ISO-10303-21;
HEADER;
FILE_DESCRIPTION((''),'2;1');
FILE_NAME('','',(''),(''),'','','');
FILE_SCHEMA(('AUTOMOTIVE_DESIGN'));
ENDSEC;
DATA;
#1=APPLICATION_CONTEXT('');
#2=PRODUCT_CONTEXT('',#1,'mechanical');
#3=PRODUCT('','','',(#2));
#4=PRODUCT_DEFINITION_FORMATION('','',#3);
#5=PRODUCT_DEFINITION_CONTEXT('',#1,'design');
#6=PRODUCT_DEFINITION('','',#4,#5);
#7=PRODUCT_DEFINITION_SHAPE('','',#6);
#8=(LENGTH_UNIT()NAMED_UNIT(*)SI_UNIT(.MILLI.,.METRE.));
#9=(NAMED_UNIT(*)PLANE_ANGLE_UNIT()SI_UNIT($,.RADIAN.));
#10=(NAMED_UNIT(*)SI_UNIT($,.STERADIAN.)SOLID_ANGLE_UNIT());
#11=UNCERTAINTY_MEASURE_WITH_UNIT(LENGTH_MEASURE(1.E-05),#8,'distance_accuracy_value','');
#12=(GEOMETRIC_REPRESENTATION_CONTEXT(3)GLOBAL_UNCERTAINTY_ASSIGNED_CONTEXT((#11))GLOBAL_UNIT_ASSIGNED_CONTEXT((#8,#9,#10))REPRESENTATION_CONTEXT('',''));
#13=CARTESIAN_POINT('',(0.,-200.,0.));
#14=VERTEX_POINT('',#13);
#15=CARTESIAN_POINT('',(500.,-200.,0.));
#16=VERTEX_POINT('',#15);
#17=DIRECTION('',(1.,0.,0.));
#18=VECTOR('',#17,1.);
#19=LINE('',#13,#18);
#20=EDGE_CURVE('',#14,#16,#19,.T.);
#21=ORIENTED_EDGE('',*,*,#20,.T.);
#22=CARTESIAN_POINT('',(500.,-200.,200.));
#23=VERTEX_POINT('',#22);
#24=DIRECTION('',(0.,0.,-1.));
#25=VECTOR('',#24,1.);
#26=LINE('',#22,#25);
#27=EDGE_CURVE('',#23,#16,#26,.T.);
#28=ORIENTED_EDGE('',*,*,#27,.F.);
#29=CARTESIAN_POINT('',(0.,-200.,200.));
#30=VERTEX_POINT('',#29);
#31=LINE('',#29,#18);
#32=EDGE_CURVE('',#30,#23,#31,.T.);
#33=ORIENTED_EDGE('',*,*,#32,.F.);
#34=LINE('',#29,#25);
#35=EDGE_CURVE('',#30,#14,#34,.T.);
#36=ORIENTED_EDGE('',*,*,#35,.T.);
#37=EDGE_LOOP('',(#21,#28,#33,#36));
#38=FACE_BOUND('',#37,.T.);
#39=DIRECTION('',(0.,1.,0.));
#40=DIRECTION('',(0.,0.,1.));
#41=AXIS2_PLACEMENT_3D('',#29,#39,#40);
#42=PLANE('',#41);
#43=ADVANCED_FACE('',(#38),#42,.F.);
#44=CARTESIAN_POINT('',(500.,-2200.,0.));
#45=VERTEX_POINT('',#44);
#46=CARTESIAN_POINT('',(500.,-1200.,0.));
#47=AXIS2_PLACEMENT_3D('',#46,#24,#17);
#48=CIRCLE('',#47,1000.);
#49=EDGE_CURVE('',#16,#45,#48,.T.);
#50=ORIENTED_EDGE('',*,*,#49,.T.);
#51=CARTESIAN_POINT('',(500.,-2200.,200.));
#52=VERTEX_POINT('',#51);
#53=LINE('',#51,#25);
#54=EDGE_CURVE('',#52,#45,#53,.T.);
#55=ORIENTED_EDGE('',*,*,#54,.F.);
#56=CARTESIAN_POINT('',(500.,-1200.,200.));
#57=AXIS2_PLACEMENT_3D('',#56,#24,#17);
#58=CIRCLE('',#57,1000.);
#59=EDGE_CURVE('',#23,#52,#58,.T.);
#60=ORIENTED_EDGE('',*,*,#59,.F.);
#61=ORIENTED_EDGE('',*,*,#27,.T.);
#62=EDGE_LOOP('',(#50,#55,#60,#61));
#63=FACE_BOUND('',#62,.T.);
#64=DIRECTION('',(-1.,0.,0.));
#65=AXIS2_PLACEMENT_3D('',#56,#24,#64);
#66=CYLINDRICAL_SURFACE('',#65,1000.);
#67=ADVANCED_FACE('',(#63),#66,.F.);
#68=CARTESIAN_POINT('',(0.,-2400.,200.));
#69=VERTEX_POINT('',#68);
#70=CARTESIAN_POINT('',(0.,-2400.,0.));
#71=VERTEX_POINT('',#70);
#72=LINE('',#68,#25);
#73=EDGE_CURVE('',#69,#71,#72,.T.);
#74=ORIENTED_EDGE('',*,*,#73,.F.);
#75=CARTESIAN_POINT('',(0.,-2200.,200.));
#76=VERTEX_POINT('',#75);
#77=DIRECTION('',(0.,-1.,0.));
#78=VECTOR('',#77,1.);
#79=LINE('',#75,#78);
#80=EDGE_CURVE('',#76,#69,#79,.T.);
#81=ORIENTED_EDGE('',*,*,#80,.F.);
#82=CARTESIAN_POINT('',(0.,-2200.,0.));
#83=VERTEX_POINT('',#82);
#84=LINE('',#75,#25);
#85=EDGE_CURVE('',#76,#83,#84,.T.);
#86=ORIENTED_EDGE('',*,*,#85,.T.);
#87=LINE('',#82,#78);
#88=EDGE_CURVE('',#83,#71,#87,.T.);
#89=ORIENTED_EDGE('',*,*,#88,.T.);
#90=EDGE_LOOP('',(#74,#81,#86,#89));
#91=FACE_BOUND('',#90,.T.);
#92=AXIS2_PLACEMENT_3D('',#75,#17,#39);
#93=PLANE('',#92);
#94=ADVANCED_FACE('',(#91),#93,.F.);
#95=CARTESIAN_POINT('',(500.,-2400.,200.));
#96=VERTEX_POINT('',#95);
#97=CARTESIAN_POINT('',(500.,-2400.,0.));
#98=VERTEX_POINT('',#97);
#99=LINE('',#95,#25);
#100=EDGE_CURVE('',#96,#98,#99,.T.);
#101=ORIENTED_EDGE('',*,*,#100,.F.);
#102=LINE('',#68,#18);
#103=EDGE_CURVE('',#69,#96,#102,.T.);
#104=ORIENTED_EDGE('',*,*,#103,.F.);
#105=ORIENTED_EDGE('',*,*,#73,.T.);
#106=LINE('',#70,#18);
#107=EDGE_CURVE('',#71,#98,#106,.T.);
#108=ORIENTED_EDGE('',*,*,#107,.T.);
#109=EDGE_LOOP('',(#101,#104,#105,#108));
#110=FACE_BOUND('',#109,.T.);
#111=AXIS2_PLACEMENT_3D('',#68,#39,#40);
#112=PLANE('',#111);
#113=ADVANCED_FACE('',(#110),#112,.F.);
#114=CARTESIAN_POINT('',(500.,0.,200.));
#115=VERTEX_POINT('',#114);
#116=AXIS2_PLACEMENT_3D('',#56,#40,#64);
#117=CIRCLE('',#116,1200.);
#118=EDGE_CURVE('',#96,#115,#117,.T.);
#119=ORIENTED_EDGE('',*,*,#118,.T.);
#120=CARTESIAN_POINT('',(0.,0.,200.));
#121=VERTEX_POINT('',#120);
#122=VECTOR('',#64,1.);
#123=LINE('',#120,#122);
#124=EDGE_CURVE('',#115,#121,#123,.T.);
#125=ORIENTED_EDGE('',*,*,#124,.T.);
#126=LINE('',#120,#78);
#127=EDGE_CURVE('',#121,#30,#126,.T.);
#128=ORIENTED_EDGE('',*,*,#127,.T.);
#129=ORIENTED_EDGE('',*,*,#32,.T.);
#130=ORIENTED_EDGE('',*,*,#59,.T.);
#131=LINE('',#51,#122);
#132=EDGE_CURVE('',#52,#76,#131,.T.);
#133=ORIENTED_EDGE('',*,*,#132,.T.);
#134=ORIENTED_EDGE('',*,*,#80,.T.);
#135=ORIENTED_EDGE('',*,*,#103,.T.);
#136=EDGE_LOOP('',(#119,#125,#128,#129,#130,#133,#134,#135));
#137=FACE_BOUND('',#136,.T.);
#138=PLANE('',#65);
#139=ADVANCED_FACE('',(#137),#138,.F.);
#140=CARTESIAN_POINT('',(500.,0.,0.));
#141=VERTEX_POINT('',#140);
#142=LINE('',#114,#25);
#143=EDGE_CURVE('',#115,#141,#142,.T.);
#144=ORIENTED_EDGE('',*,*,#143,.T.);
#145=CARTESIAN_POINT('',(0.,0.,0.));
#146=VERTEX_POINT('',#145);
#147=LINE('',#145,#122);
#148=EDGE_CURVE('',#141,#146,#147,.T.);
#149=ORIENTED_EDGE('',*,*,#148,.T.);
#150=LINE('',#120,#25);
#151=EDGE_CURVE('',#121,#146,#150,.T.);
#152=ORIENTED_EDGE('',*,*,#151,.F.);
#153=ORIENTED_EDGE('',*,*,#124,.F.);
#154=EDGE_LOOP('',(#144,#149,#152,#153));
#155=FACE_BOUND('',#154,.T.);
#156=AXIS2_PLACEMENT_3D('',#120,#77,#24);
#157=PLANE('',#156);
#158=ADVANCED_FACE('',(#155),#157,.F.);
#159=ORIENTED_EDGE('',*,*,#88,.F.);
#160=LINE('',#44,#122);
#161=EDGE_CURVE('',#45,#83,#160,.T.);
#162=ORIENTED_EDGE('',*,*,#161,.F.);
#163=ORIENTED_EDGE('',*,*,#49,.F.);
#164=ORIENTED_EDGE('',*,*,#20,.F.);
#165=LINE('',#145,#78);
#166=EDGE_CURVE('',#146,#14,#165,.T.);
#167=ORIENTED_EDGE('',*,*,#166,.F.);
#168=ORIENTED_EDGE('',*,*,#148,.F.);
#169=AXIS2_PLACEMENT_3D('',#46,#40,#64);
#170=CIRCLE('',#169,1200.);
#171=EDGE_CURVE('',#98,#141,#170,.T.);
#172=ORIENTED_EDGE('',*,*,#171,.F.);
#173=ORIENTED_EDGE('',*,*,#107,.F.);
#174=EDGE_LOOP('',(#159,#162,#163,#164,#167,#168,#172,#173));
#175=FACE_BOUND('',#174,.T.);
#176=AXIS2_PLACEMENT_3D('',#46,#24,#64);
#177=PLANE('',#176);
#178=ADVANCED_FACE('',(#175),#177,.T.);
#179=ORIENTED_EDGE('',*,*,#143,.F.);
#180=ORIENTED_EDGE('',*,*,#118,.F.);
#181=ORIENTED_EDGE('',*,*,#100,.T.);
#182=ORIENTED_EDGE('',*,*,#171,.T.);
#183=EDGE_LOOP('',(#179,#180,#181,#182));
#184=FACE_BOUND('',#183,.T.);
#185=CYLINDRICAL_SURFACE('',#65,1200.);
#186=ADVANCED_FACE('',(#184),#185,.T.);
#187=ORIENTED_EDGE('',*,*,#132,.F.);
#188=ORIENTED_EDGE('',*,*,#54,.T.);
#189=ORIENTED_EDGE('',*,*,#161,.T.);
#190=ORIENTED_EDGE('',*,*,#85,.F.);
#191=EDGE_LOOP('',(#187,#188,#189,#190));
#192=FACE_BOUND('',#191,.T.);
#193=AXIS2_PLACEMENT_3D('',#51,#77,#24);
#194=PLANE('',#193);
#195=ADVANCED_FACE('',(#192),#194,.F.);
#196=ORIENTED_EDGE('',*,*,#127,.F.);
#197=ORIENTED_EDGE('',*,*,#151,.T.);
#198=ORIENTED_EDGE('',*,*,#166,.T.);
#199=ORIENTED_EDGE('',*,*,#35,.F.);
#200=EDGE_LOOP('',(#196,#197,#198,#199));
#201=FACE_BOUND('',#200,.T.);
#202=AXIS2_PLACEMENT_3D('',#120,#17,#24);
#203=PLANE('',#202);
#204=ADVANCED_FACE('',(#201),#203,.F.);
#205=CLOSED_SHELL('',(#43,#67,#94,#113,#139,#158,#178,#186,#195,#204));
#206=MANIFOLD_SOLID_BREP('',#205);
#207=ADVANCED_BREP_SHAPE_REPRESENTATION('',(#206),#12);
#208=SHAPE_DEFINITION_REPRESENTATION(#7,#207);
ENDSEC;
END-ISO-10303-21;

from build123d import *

# Parameters (mm, degrees)
BOSS_EXTRUDE1_DEPTH = 200


with BuildPart() as part:
    # Sketch2 → Boss-Extrude1 (new body)
    with BuildSketch(Plane.XY):
        with BuildLine():
            Line((0, 0), (0, -200))
            Line((0, -200), (500, -200))
            ThreePointArc((500, -200), (1500, -1200), (500, -2200))
            Line((500, -2200), (0, -2200))
            Line((0, -2200), (0, -2400))
            Line((0, -2400), (500, -2400))
            ThreePointArc((500, -2400), (1700, -1200), (500, 0))
            Line((500, 0), (0, 0))
        make_face()
    extrude(amount=BOSS_EXTRUDE1_DEPTH)


solid = part.part
